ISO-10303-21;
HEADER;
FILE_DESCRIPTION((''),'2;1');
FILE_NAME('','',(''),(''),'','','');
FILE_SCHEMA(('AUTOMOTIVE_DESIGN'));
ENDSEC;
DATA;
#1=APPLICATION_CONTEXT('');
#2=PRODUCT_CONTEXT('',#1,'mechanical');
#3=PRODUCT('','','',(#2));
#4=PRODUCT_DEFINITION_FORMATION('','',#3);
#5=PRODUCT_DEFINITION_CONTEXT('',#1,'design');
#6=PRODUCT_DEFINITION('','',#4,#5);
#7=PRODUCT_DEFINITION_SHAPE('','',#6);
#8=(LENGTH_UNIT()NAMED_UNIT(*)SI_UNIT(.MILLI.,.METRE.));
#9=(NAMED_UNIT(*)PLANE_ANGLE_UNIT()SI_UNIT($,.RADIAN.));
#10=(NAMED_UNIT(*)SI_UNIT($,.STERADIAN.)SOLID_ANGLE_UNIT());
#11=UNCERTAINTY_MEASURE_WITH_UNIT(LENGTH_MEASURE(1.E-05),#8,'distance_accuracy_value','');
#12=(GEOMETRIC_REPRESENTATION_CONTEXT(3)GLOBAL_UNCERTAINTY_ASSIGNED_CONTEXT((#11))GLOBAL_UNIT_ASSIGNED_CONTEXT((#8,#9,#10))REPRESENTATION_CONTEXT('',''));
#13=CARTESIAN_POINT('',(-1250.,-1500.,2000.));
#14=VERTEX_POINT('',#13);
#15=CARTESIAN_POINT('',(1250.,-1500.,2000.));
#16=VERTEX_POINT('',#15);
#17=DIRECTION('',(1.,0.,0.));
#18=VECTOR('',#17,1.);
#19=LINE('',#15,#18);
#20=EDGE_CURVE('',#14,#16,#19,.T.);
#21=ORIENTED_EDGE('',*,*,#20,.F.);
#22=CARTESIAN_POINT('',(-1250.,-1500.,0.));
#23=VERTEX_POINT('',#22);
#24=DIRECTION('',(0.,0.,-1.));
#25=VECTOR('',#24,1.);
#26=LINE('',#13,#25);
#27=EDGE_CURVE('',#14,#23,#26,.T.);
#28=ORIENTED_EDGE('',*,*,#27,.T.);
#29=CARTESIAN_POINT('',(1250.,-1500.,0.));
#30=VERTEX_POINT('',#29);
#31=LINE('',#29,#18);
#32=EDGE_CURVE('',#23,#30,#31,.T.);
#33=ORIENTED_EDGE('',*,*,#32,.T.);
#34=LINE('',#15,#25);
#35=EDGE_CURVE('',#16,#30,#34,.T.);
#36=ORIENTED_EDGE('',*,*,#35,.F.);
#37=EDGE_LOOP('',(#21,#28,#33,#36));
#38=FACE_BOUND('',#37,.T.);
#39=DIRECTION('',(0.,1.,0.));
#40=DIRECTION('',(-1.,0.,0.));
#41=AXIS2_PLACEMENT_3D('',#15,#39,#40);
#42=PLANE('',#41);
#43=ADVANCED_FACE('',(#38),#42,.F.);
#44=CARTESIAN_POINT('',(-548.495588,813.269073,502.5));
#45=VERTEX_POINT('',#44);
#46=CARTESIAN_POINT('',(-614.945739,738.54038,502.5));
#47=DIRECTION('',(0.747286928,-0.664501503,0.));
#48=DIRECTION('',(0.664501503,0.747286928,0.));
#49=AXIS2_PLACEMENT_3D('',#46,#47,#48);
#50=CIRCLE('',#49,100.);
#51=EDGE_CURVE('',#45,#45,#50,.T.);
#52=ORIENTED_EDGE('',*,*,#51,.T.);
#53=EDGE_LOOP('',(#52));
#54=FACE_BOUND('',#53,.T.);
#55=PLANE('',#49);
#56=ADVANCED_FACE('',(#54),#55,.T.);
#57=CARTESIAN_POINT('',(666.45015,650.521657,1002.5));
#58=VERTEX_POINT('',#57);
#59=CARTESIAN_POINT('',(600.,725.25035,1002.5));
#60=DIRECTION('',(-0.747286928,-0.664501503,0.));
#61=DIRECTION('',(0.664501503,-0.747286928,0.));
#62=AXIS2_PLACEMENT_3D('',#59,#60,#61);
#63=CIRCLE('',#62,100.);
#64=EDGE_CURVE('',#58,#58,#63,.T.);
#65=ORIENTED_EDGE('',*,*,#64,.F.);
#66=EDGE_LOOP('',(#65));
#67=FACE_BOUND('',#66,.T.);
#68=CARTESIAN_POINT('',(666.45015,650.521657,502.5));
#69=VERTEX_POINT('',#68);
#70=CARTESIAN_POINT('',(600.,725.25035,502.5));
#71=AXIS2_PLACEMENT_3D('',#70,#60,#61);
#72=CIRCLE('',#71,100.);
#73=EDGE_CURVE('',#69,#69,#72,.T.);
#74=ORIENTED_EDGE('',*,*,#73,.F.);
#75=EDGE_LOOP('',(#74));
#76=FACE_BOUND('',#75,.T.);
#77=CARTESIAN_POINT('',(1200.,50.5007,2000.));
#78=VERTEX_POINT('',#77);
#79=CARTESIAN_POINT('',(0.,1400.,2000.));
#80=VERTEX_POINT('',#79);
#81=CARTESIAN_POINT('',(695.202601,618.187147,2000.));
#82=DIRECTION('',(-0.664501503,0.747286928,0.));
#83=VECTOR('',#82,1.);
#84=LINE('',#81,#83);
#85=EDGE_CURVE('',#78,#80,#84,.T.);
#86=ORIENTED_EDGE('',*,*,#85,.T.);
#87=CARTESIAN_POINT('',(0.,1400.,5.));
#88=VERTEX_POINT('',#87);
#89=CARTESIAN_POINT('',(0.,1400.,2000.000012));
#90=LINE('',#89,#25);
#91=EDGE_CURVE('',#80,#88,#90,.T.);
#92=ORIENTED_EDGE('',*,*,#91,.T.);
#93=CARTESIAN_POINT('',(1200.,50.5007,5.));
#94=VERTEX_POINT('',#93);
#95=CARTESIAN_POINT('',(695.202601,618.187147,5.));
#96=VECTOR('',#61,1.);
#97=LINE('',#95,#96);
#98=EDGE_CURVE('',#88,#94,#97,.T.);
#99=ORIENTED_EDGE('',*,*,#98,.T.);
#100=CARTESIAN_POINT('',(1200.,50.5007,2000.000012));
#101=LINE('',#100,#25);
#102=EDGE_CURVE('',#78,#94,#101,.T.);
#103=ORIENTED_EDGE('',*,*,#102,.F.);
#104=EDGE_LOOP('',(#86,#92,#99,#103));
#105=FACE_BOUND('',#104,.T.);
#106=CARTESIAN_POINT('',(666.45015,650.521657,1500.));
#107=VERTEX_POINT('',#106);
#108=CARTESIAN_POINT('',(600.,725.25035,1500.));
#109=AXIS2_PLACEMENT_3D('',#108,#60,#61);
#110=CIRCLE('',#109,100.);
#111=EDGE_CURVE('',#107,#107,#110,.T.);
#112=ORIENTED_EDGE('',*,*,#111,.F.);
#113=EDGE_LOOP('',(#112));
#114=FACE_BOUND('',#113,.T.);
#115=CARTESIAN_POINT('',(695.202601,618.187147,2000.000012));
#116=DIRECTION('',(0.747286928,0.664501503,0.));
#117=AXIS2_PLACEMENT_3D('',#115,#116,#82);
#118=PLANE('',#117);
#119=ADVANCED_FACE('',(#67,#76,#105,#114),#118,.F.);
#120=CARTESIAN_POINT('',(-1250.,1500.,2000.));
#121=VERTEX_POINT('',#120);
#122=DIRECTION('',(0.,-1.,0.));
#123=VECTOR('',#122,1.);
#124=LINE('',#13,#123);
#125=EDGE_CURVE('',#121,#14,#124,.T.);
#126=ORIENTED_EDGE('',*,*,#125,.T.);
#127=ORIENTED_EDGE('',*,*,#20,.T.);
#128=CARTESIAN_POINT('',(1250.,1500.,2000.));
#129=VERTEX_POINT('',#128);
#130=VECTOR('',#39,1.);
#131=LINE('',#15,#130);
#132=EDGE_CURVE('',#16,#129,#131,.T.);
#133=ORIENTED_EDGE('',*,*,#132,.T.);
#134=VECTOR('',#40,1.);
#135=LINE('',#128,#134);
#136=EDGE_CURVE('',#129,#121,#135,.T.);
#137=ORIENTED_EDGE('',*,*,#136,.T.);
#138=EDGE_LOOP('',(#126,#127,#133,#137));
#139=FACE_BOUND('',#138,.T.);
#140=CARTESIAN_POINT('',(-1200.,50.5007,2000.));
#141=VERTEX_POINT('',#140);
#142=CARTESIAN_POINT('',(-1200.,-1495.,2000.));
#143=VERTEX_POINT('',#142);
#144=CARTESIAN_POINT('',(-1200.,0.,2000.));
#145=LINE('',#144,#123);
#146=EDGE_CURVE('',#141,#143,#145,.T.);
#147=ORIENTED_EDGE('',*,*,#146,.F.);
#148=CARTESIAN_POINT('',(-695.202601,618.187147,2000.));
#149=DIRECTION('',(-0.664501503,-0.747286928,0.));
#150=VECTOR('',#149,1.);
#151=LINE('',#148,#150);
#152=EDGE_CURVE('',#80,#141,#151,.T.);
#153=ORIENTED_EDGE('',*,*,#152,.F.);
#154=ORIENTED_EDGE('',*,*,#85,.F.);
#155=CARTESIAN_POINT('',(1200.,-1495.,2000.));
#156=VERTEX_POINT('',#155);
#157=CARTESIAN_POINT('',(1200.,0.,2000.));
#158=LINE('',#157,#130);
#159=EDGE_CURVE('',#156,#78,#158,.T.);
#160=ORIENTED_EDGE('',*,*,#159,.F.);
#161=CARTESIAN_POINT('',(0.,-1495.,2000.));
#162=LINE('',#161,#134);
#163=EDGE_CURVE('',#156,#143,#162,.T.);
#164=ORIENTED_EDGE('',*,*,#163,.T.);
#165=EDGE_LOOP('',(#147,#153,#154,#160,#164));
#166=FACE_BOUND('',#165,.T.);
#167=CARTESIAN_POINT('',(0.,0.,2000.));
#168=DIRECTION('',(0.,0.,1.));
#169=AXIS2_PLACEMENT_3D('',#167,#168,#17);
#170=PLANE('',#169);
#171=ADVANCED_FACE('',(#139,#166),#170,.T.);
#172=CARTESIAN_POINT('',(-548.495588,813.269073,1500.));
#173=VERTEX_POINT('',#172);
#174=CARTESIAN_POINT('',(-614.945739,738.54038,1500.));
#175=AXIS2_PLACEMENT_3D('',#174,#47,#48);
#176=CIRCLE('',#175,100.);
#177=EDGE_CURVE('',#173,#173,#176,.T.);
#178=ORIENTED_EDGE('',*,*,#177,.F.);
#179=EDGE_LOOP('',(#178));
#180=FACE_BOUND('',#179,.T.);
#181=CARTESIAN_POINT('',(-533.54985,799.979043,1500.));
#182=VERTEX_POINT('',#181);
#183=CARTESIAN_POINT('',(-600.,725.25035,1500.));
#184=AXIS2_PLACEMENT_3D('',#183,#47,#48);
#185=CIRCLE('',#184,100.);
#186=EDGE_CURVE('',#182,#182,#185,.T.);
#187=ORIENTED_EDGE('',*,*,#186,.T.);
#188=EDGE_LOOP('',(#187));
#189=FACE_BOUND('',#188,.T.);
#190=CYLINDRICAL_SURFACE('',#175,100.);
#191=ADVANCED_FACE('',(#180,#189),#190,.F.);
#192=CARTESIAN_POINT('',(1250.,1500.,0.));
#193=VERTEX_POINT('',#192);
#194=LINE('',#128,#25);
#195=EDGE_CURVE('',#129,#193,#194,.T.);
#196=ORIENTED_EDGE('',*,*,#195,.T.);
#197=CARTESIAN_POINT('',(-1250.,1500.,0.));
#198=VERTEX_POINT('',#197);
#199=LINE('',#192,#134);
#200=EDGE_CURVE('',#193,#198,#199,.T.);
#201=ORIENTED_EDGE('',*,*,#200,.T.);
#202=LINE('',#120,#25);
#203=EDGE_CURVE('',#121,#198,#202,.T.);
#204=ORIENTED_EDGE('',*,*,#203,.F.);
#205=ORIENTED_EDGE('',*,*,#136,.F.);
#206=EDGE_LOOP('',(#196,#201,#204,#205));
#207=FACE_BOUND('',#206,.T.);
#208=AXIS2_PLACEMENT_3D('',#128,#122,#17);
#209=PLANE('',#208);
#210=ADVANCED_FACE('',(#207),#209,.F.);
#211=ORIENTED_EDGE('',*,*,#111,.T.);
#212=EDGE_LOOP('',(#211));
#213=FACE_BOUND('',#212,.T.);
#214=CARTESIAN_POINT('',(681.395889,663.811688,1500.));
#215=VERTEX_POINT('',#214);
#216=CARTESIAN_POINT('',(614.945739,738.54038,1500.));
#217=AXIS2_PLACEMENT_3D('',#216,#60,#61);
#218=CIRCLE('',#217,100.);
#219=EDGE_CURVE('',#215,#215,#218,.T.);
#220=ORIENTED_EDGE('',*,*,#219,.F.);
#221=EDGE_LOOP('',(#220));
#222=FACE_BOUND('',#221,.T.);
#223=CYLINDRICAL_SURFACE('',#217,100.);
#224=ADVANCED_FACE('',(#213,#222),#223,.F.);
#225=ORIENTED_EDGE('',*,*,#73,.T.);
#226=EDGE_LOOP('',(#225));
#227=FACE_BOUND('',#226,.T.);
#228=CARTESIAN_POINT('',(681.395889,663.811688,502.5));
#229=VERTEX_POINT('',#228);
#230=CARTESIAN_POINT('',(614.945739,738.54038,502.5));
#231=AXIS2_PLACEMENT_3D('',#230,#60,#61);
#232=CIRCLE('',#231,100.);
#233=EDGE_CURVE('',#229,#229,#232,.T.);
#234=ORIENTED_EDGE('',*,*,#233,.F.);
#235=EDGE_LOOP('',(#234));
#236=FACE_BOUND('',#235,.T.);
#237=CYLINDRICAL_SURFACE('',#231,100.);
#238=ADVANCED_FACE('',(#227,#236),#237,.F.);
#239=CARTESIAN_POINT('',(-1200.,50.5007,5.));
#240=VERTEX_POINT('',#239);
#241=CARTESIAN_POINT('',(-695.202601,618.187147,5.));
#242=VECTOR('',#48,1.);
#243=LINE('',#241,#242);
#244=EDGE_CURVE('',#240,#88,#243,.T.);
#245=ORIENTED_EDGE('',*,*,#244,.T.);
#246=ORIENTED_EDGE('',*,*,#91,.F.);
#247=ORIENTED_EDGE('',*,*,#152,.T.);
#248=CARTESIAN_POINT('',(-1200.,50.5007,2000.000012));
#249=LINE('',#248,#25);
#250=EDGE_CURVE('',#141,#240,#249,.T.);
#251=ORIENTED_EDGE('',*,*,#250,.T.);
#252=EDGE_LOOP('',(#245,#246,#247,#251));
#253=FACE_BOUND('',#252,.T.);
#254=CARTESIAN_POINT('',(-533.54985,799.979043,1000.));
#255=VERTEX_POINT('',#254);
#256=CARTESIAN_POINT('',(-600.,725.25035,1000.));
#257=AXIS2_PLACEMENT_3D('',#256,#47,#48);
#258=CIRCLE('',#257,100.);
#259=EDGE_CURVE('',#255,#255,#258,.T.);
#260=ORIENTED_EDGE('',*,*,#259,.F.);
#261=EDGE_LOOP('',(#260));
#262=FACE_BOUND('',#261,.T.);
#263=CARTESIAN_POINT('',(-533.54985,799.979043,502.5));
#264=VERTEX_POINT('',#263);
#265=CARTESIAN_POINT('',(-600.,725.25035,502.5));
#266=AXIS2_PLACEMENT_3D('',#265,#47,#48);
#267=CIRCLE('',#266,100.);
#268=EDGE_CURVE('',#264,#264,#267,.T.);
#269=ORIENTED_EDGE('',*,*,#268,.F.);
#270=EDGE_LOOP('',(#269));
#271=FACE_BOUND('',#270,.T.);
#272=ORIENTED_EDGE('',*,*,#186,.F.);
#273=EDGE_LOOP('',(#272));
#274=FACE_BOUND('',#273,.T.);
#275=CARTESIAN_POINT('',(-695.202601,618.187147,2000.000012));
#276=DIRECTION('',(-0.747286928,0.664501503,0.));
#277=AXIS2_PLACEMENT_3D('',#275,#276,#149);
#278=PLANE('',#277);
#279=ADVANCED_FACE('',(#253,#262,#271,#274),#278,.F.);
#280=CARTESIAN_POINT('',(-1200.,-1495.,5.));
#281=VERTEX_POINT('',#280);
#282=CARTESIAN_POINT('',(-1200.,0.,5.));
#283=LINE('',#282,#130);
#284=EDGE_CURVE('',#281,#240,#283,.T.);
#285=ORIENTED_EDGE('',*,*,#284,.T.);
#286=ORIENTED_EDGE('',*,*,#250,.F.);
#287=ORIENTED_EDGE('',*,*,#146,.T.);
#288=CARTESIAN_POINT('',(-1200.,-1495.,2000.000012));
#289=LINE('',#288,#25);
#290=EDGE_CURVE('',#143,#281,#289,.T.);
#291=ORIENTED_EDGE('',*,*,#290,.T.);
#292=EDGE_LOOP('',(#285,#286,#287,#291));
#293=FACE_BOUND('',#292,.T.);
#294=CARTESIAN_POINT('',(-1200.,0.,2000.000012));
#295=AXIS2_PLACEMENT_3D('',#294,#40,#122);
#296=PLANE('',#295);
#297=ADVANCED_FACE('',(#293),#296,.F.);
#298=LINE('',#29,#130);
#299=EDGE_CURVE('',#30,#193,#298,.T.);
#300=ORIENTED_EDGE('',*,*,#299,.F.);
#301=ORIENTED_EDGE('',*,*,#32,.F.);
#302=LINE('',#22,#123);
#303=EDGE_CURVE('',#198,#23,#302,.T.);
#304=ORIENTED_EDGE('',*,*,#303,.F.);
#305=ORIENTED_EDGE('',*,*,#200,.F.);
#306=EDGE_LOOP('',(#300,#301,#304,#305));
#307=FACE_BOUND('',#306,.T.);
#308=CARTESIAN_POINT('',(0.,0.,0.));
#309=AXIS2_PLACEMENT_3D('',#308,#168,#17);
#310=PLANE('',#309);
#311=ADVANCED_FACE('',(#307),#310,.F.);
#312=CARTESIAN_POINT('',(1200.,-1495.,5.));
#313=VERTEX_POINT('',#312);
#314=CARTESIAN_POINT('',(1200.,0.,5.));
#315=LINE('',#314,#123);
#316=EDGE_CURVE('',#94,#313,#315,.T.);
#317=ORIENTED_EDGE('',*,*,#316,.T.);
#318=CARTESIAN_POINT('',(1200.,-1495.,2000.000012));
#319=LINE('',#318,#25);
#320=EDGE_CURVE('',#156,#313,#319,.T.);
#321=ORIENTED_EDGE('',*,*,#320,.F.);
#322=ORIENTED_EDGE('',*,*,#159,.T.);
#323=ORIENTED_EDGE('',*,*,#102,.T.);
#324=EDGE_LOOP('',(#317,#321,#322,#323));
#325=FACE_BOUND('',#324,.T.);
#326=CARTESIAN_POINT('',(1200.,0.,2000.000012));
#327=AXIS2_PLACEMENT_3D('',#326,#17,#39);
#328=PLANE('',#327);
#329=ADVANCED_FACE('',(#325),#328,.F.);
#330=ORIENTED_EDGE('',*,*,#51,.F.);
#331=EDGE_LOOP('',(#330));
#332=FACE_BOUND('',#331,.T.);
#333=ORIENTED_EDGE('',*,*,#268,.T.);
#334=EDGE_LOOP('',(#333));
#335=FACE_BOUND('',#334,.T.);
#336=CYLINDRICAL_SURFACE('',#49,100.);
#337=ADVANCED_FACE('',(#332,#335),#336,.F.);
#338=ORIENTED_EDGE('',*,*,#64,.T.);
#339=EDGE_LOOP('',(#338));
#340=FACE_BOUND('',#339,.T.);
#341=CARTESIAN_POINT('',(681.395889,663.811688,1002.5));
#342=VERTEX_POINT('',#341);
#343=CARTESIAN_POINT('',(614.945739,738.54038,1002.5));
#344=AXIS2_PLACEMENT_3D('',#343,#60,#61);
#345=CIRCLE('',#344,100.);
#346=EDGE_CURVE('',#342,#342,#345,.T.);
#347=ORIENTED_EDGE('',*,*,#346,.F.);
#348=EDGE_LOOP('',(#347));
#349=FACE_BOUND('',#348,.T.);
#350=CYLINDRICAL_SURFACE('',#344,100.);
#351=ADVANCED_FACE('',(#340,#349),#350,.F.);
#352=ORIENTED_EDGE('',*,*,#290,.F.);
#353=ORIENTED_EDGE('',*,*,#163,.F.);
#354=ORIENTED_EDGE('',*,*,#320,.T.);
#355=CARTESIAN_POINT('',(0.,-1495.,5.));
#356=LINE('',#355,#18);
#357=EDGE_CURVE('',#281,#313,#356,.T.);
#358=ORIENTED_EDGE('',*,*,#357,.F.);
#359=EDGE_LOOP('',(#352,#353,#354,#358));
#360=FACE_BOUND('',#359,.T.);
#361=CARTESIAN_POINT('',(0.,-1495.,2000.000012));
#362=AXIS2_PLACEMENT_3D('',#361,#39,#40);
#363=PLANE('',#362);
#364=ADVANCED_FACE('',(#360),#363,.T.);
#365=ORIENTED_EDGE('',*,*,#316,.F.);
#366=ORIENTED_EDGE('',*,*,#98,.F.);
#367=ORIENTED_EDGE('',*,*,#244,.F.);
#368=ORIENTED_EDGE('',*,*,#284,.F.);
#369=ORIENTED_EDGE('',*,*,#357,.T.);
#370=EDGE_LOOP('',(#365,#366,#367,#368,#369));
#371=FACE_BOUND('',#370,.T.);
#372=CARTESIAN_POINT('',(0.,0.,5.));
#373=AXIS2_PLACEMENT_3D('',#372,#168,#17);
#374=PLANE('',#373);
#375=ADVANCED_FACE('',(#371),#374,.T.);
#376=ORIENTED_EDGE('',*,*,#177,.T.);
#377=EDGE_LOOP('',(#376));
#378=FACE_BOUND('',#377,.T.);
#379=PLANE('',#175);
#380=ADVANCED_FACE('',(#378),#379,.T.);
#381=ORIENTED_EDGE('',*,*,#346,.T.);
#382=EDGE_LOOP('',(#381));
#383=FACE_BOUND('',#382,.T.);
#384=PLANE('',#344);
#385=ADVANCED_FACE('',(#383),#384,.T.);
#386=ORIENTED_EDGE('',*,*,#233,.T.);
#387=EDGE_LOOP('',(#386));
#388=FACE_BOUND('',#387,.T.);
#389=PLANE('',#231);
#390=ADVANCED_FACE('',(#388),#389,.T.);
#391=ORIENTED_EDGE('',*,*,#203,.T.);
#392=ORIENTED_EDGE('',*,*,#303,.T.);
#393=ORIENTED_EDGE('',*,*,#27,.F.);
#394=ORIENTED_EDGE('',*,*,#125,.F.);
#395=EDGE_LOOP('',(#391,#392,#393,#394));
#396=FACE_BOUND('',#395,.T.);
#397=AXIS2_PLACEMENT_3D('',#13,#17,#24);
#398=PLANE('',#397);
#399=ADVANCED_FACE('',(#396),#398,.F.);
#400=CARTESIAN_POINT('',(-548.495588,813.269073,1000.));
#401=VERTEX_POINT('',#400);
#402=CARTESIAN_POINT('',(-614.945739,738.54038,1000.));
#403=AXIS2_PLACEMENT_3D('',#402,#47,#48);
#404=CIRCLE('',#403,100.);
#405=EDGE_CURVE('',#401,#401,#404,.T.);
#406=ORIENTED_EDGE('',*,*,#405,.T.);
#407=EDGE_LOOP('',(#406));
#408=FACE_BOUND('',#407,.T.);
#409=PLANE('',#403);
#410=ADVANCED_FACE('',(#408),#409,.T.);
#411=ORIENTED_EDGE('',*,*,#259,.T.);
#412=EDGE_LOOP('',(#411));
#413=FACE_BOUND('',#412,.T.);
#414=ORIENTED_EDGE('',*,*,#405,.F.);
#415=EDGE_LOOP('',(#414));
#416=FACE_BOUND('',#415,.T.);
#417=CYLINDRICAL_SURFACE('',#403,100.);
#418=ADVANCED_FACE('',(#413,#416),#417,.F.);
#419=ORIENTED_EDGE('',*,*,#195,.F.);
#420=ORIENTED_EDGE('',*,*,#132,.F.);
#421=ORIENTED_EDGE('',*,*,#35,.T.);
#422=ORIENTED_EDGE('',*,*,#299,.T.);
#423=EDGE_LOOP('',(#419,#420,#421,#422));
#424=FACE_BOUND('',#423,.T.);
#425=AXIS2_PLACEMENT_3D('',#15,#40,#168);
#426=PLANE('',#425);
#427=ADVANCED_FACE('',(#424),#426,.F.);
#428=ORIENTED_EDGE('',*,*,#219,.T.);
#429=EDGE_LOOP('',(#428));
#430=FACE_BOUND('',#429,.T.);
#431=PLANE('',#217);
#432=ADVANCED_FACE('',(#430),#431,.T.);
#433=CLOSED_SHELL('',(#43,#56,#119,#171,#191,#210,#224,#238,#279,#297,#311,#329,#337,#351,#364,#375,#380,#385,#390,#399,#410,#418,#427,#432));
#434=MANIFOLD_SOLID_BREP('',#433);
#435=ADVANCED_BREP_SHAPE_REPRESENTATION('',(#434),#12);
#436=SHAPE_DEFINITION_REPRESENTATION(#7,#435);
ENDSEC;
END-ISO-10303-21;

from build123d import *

# Parameters (mm, degrees)
SKETCH1_W               = 2500
SKETCH1_H               = 3000
BOSS_EXTRUDE1_DEPTH     = 2000
CUT_EXTRUDE4_DEPTH      = 2796.084971875
CUT_EXTRUDE4_DEPTH_BACK = 1995
SKETCH6_R               = 100
CUT_EXTRUDE5_DEPTH      = 20
SKETCH3_R               = 100
CUT_EXTRUDE6_DEPTH      = 20


with BuildPart() as part:
    # Sketch1 → Boss-Extrude1 (new body)
    with BuildSketch(Plane.XY):
        Rectangle(SKETCH1_W, SKETCH1_H)
    extrude(amount=BOSS_EXTRUDE1_DEPTH)

    # Sketch2 → Cut-Extrude4 (cut, two sides: drawn at the far end of the back side and taken through both)
    with BuildSketch(Plane.XY.offset(2000).offset(-CUT_EXTRUDE4_DEPTH_BACK)):
        Polygon((-1200, -1495), (-1200, 50.500700421), (0, 1400), (1200, 50.500700421), (1200, -1495), align=None)
    extrude(amount=CUT_EXTRUDE4_DEPTH + CUT_EXTRUDE4_DEPTH_BACK, mode=Mode.SUBTRACT)

    # Sketch6 → Cut-Extrude5 (cut)
    with BuildSketch(Plane(origin=(695.202601453, 618.187146895, 0), x_dir=(0.6645015032202684, -0.7472869276375734, 0), z_dir=(-0.7472869276375734, -0.6645015032202684, 0))):
        with Locations((-143.269204045, 1500)):
            Circle(SKETCH6_R)
        with Locations((-143.269204045, 1002.5)):
            Circle(SKETCH6_R)
        with Locations((-143.269204045, 502.5)):
            Circle(SKETCH6_R)
    extrude(amount=-CUT_EXTRUDE5_DEPTH, mode=Mode.SUBTRACT)

    # Sketch3 → Cut-Extrude6 (cut)
    with BuildSketch(Plane(origin=(-695.202601453, 618.187146895, 0), x_dir=(0.6645015032202681, 0.7472869276375735, 0), z_dir=(0.7472869276375735, -0.6645015032202681, 0))):
        with Locations((143.269204045, 1500)):
            Circle(SKETCH3_R)
        with Locations((143.269204045, 1000)):
            Circle(SKETCH3_R)
        with Locations((143.269204045, 502.5)):
            Circle(SKETCH3_R)
    extrude(amount=-CUT_EXTRUDE6_DEPTH, mode=Mode.SUBTRACT)


solid = part.part
